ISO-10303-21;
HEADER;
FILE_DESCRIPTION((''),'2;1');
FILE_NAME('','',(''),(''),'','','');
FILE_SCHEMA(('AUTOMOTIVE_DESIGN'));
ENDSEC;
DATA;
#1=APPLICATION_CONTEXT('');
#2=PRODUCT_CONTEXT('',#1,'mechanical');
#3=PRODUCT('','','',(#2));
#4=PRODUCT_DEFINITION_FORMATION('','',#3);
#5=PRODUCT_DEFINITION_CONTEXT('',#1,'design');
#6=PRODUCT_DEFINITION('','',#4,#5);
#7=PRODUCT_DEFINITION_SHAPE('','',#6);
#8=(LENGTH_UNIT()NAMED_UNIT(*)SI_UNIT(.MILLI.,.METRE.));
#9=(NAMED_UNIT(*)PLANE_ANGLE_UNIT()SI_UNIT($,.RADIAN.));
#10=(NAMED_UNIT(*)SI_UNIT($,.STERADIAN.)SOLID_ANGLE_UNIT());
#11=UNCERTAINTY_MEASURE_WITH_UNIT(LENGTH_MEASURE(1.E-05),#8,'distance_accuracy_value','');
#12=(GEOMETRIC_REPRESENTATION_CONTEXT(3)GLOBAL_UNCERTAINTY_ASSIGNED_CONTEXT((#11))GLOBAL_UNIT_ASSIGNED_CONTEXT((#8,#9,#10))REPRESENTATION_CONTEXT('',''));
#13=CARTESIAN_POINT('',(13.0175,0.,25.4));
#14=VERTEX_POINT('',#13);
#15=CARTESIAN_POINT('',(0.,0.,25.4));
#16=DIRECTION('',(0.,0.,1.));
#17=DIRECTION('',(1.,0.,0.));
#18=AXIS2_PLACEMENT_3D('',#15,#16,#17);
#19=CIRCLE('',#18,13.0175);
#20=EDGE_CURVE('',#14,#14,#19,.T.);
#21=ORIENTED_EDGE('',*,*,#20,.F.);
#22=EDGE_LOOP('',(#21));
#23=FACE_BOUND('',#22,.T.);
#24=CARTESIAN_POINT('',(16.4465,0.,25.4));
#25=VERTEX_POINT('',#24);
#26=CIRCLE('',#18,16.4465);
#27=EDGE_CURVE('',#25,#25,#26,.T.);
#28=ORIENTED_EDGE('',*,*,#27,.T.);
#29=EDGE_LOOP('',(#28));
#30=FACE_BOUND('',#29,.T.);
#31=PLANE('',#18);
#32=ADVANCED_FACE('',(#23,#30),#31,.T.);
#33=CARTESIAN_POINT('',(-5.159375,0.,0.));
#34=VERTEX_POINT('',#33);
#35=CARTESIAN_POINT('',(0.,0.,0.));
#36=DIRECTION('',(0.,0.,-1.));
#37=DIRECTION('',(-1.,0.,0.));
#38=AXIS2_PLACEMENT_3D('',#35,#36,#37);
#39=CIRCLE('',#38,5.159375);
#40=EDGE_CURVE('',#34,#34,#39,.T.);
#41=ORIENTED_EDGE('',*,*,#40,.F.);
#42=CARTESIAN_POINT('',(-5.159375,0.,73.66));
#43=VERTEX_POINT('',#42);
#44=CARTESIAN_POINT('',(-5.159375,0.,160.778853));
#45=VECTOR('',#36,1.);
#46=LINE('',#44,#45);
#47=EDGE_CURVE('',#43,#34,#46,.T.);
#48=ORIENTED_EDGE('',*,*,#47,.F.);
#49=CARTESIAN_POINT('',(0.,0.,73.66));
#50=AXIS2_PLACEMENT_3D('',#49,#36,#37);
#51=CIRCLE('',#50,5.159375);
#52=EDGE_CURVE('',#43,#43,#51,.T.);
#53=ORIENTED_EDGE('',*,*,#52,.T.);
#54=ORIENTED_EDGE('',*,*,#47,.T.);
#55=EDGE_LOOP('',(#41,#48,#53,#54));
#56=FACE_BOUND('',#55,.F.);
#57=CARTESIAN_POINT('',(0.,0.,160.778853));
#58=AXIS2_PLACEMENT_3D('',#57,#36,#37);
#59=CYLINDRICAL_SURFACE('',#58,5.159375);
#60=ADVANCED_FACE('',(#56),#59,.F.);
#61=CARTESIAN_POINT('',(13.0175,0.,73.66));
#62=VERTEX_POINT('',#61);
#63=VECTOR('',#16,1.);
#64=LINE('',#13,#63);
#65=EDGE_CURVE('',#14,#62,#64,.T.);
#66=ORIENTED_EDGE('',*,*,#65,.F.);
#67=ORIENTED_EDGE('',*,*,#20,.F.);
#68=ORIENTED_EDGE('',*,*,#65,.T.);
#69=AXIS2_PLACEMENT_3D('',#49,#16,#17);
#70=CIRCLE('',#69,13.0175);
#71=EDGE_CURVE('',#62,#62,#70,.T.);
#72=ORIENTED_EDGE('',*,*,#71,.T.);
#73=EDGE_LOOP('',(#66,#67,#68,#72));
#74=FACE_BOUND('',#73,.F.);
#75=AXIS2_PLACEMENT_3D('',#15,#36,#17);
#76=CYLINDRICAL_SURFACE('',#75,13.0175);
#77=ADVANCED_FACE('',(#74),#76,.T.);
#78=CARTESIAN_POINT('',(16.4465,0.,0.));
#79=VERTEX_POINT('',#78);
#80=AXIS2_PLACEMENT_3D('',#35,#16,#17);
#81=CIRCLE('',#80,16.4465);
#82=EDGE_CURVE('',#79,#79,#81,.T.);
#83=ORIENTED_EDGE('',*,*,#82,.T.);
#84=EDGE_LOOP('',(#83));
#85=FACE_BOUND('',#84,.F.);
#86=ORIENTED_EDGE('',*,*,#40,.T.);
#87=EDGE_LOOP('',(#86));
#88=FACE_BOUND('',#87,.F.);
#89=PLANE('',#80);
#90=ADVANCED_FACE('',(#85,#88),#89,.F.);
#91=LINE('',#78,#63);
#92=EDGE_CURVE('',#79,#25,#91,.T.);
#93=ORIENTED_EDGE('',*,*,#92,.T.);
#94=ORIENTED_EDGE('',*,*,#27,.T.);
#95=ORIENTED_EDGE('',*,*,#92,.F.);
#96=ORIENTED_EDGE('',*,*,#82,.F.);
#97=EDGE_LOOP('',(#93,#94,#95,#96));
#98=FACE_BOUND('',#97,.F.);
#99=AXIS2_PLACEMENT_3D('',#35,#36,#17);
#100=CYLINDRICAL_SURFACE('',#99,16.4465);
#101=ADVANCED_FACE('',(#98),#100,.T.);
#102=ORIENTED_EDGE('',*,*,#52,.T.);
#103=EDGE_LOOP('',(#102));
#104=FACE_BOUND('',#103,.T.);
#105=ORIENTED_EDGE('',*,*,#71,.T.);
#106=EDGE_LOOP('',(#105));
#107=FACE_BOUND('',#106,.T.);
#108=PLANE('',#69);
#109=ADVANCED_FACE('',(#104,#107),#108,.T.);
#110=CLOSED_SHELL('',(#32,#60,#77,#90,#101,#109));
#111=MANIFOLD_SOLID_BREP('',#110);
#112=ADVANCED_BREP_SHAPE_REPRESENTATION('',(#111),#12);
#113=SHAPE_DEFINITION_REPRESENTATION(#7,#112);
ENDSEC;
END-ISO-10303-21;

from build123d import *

# Parameters (mm, degrees)
F0_R     = 16.4465
F1_DEPTH = 25.4
F2_R     = 13.0175
F3_DEPTH = 48.26
F5_D     = 10.31875


with BuildPart() as f1:
    # F0 (on Top) → F1 (new body)
    with BuildSketch(Plane.XY):
        Circle(F0_R)
    extrude(amount=F1_DEPTH)

    # F2 (on face) → F3 (join)
    with BuildSketch(Plane.XY.offset(25.4)):
        Circle(F2_R)
    extrude(amount=F3_DEPTH)

    # F5 (through all)
    with Locations(Plane.XY.offset(73.66)):
        with Locations((0, 0)):
            Hole(F5_D / 2)


solid = f1.part
